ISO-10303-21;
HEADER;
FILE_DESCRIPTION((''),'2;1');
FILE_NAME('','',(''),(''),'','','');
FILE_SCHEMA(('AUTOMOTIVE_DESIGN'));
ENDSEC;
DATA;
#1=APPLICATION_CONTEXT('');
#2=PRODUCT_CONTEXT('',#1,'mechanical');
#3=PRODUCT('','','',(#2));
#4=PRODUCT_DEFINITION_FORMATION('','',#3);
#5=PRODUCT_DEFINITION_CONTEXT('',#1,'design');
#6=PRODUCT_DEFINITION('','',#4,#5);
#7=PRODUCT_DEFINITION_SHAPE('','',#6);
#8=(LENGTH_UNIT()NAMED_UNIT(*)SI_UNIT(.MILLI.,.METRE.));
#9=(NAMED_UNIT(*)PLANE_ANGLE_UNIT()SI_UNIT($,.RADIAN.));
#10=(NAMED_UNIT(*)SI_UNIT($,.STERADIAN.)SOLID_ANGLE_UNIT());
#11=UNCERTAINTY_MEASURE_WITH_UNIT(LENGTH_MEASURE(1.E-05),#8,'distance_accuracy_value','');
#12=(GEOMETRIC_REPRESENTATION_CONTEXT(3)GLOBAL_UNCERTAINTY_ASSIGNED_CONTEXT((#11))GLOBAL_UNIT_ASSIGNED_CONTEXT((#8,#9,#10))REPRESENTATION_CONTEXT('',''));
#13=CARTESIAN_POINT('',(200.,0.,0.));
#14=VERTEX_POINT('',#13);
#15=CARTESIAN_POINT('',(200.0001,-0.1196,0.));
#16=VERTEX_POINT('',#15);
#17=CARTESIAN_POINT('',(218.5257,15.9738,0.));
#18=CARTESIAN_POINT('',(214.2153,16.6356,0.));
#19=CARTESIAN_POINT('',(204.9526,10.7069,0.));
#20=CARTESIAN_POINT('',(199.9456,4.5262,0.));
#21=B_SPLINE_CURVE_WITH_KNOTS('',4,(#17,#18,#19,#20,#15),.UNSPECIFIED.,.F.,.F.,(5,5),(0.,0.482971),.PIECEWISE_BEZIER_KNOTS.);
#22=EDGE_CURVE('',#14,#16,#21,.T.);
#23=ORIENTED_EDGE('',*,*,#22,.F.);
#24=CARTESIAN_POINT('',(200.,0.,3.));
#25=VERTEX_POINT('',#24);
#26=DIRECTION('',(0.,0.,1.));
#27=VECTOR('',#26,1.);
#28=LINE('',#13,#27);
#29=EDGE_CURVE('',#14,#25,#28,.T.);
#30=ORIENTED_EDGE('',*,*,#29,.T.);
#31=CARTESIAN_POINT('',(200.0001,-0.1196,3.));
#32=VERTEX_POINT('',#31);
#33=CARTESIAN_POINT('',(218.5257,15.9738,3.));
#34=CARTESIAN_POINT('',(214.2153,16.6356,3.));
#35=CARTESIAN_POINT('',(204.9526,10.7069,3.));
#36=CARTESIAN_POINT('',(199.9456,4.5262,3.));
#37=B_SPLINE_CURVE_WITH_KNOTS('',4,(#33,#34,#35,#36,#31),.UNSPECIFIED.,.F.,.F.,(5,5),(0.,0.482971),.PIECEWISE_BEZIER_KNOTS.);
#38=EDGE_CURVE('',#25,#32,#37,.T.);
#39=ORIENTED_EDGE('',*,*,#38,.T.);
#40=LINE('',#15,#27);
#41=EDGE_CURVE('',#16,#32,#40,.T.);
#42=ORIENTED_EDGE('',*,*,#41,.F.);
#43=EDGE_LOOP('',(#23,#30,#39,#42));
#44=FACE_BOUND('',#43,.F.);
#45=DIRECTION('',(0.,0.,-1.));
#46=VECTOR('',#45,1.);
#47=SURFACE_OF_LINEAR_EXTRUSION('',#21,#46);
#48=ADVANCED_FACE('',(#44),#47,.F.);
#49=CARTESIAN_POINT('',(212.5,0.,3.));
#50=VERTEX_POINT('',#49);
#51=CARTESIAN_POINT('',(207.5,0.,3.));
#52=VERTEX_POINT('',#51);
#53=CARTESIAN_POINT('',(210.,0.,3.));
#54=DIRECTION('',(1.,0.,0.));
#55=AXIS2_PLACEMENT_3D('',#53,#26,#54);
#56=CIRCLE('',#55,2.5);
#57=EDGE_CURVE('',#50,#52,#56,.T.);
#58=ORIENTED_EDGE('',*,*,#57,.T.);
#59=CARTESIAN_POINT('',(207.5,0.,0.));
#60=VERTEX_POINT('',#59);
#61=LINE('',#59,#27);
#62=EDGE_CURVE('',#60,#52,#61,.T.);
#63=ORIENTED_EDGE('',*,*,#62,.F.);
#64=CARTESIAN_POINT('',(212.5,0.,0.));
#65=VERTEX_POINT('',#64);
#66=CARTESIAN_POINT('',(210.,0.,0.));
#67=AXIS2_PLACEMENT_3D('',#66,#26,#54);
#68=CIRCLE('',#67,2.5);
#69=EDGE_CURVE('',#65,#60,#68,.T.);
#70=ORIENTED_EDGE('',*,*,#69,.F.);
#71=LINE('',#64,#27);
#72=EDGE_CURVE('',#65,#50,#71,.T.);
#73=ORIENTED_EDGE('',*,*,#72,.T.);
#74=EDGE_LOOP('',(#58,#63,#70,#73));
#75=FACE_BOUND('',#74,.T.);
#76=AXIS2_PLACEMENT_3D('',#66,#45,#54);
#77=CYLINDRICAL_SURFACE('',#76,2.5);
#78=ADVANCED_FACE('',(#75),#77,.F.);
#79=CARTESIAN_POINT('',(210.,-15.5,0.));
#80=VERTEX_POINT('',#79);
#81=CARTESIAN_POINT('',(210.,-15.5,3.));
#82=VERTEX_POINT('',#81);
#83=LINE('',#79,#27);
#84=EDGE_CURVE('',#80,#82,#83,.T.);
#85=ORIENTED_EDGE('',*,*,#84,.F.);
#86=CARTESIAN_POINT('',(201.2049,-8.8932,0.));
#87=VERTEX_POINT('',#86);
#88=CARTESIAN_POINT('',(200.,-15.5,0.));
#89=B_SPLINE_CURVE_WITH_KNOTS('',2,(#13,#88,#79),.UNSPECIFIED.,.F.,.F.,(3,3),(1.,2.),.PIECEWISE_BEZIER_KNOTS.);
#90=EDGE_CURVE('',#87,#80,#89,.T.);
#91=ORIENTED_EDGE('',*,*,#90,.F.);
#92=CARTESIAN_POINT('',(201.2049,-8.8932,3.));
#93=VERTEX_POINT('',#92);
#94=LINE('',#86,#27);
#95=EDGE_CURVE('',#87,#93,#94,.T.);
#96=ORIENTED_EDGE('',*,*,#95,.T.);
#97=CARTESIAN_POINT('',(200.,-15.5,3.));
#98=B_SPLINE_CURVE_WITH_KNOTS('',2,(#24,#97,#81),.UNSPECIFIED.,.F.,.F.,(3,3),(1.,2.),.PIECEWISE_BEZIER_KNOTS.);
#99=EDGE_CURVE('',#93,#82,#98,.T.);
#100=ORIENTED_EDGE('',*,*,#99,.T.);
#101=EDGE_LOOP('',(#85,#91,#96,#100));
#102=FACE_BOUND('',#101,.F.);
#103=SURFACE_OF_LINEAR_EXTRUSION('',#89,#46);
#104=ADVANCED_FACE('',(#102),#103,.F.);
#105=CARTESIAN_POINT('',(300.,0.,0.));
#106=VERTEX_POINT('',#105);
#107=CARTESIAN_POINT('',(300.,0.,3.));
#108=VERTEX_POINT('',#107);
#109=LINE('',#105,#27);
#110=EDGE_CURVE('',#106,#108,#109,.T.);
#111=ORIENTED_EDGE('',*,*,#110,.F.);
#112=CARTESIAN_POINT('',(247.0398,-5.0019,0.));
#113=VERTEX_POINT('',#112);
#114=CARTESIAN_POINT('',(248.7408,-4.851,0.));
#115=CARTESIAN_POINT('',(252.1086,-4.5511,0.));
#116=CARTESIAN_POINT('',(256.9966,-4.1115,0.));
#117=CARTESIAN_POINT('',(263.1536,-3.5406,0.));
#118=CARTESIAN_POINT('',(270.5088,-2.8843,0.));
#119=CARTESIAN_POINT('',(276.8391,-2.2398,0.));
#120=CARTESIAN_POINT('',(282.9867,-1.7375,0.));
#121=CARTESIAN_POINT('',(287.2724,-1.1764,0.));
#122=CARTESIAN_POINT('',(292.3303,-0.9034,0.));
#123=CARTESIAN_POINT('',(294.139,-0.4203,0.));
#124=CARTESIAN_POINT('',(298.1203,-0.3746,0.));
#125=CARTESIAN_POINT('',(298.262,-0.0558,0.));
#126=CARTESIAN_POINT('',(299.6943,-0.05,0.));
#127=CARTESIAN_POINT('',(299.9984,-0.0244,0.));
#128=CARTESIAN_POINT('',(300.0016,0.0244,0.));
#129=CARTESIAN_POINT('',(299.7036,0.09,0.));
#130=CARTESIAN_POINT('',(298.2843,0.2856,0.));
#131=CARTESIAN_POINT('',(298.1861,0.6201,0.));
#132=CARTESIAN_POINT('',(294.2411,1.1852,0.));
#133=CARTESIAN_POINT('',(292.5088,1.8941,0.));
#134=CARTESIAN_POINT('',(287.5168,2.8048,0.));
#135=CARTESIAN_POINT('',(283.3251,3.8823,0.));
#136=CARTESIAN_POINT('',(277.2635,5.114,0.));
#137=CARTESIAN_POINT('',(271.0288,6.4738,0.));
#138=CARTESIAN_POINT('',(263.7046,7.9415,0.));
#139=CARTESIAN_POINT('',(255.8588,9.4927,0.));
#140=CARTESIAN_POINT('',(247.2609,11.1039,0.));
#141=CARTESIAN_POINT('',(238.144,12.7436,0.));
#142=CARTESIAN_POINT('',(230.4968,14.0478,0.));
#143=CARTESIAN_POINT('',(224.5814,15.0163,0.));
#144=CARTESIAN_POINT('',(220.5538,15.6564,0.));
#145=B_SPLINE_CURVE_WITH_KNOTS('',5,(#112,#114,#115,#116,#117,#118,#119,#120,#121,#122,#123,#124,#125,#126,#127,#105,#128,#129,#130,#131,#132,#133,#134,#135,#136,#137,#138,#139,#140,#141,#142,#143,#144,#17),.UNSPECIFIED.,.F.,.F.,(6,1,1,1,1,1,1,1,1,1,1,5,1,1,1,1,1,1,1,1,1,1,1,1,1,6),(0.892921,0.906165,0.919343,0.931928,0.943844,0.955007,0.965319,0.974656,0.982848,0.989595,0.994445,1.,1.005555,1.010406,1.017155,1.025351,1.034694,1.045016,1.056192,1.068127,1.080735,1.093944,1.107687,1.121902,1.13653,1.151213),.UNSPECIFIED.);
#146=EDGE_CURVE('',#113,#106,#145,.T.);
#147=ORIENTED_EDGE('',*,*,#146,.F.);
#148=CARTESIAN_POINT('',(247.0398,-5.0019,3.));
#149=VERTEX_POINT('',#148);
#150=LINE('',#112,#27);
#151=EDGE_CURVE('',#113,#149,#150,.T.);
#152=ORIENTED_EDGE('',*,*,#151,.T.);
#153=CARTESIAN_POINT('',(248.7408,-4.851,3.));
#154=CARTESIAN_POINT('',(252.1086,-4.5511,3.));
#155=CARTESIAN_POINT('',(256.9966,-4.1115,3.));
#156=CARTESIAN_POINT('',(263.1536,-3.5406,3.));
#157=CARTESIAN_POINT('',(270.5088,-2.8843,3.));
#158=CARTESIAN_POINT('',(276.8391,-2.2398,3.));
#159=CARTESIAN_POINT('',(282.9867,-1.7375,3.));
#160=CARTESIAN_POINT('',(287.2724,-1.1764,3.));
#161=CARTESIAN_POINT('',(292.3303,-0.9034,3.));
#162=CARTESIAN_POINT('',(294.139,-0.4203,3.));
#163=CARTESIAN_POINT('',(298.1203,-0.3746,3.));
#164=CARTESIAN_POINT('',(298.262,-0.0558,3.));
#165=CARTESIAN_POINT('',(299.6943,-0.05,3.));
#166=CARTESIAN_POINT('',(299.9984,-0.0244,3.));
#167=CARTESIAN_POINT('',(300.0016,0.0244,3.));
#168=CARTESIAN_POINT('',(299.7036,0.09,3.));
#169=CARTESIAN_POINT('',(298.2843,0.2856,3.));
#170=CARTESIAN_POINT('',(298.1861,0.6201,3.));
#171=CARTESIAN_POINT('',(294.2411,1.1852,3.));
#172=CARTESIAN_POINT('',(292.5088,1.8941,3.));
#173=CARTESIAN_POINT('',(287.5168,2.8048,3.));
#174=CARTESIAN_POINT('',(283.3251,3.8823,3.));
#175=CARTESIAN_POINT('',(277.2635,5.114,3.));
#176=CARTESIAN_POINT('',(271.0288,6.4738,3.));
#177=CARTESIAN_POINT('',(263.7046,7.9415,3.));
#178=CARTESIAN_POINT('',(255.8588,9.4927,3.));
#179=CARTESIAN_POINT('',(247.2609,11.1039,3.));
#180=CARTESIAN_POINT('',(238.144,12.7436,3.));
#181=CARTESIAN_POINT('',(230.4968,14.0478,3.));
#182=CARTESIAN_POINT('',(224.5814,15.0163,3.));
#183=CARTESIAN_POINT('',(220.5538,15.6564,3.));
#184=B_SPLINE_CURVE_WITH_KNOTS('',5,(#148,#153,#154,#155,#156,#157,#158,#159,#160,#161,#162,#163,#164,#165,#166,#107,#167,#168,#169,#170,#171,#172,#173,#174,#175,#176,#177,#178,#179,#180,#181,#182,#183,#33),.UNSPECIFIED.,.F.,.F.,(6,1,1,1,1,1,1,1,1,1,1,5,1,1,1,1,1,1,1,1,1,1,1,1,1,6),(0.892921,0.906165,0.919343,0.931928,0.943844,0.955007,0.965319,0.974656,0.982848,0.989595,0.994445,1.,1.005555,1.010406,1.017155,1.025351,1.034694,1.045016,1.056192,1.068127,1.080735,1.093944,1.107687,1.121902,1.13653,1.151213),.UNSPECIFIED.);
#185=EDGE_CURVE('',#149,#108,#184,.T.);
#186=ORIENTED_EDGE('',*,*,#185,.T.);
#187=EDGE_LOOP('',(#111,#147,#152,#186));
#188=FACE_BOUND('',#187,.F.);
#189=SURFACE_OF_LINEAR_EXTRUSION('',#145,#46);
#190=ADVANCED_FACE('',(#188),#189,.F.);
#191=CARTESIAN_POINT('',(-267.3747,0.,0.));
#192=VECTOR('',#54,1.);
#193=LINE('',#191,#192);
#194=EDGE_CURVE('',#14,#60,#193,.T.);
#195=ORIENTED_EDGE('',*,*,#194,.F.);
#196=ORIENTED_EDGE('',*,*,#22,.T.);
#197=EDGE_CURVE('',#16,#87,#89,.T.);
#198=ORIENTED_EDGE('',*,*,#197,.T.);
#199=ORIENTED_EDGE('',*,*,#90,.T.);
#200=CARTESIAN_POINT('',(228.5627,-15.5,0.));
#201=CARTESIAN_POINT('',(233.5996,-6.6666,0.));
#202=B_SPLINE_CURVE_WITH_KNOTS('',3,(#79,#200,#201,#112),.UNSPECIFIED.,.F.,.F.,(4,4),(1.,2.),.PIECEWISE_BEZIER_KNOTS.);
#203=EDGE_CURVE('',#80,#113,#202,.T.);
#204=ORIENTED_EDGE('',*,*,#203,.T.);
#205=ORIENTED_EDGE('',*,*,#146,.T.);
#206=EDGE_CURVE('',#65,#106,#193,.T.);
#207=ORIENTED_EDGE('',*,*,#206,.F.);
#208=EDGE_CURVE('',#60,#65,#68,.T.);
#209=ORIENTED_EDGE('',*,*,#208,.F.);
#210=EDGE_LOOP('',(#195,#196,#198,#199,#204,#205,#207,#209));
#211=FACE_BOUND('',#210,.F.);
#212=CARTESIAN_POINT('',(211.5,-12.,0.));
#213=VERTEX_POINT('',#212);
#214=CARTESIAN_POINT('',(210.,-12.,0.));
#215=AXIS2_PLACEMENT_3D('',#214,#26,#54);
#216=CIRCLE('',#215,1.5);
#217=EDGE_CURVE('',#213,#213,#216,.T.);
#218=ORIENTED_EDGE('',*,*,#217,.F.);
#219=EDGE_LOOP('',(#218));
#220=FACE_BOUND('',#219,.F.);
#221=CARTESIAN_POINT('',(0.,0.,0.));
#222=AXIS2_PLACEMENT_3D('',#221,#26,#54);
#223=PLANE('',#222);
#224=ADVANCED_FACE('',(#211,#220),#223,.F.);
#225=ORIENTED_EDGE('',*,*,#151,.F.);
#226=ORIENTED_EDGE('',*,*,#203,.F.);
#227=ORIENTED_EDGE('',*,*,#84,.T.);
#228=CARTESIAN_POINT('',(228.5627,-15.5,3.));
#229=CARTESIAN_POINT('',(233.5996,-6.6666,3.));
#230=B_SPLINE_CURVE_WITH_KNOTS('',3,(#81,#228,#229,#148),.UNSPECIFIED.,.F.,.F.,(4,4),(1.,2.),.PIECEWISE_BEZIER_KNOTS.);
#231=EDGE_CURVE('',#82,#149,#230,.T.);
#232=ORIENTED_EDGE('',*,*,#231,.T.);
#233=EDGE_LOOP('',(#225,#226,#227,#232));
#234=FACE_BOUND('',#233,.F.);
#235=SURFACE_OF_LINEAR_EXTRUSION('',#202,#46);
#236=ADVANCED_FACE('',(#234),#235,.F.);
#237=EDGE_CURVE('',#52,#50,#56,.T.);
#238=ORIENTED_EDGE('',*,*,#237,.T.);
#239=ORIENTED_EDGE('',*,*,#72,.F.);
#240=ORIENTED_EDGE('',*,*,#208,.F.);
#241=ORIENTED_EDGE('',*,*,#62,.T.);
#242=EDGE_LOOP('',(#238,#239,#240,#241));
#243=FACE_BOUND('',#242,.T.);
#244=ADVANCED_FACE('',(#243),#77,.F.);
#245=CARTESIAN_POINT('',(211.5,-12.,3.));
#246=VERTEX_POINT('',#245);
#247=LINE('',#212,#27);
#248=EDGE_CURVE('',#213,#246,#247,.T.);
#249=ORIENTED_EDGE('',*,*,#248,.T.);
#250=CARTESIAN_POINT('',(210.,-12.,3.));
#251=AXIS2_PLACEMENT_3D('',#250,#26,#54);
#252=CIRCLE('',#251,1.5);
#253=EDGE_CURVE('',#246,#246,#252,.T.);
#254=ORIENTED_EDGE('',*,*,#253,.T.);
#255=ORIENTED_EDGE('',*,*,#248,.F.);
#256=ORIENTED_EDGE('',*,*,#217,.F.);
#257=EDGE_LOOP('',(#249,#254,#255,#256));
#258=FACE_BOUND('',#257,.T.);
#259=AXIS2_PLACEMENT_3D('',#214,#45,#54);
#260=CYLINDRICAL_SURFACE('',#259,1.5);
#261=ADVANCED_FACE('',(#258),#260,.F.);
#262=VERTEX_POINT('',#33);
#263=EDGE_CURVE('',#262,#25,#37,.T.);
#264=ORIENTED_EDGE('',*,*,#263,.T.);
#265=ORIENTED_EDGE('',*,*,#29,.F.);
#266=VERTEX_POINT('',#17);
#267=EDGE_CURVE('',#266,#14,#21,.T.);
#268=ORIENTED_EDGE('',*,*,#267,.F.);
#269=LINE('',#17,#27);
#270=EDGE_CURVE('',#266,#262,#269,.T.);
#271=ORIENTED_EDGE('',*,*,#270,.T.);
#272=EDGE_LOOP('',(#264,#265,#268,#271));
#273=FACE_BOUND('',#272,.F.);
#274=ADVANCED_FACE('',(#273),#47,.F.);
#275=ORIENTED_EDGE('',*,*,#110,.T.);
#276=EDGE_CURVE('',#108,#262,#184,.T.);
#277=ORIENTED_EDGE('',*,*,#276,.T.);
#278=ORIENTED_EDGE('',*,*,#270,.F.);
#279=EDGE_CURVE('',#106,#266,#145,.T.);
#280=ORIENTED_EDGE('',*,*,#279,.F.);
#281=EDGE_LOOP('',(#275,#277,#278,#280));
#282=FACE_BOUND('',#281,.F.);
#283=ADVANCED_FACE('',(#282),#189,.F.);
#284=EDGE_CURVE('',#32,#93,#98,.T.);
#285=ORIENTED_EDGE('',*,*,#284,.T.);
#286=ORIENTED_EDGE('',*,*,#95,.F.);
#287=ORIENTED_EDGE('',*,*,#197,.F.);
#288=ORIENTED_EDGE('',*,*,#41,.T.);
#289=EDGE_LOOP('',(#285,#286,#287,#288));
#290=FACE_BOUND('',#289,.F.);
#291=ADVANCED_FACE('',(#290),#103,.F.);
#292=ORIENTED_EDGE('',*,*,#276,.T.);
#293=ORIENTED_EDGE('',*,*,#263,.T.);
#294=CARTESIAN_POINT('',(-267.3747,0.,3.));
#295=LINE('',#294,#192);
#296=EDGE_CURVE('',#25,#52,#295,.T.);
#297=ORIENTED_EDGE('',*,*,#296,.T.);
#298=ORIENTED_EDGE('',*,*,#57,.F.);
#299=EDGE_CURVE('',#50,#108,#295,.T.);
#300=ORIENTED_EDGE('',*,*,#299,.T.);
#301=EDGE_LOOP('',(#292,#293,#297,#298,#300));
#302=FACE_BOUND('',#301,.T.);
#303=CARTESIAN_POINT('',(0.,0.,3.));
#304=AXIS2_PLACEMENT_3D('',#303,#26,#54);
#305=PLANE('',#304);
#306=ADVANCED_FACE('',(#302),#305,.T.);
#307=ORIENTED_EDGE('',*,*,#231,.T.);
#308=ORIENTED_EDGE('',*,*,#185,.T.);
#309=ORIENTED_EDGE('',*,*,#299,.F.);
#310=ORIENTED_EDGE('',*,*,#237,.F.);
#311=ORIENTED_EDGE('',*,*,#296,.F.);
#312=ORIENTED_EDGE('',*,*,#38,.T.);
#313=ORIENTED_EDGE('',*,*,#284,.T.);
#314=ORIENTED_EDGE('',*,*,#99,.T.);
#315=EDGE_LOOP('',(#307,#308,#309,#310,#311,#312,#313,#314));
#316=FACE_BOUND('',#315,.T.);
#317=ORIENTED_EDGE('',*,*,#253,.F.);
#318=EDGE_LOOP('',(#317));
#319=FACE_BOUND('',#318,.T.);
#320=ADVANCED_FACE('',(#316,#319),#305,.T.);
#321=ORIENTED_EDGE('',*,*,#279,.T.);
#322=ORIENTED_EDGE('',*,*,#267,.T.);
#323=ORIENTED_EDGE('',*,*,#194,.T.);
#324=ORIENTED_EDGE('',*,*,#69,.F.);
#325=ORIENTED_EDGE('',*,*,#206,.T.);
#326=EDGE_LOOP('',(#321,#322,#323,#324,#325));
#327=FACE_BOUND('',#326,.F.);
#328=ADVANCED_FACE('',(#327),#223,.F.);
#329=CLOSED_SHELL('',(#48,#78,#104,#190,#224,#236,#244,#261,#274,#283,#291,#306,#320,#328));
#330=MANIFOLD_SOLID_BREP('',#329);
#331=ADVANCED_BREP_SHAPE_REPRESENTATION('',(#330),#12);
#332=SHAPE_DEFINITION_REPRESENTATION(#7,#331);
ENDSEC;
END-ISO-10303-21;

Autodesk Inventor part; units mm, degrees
ref_plane "YZ Plane" through (0, 0, 0) normal (1, 0, 0) x (0, 1, 0)
ref_plane "XZ Plane" through (0, 0, 0) normal (0, 1, 0) x (-1, 0, 0)
ref_plane "XY Plane" through (0, 0, 0) normal (0, 0, 1) x (1, 0, 0)
sketch "Sketch1" plane through (0, 0, 0) normal (0, 0, 1) x (1, 0, 0)
  line L0 (200, 103) -> (200, -97) construction
  line L1 (0, -2198.1975) -> (0, 5744.0191) construction
  line L2 (210, 0) -> (210, -12) construction
  line L3 (210, 0) -> (222, 0) construction
  circle A0 centre (210, -12) radius 1.5
  spline S0 degree 4 poles (218.5257, 15.9738) (214.2153, 16.6356) (204.9526, 10.7069) (199.9456, 4.5262) (200.0001, -0.1196) knots 0 0 0 0 0 0.482971 0.482971 0.482971 0.482971 0.482971
  line L4 (221.1774, 15.5667) -> (215.874, 16.3809) construction
  arc A1 (220.2542, 15.1852) -> (216.6402, 15.74) centre (217.9961, 12.5243) ccw construction
  line L5 (200, 0) -> (200, -15.5) construction
  line L6 (200, -15.5) -> (210, -15.5) construction
  spline S1 degree 2 poles (200, 0) (200, -15.5) (210, -15.5) knots 1 1 1 2 2 2
  line L7 (210, -15.5) -> (228.5627, -15.5) construction
  line L8 (228.5627, -15.5) -> (233.5996, -6.6666) construction
  line L9 (233.5996, -6.6666) -> (247.0398, -5.0019) construction
  spline S2 degree 3 poles (210, -15.5) (228.5627, -15.5) (233.5996, -6.6666) (247.0398, -5.0019) knots 1 1 1 1 2 2 2 2
  line L10 (199.9617, 3.157) -> (200.0386, -3.3962) construction
  arc A2 (200.4959, 2.2656) -> (200.5517, -2.4925) centre (205.6665, -0.0531) ccw construction
  circle A3 centre (210, 0) radius 2.5
  line L11 (-267.3747, 0) -> (404.2133, 0) projected
  spline S3 degree 5 poles (247.0398, -5.0019) (248.7408, -4.851) (252.1086, -4.5511) (256.9966, -4.1115) (263.1536, -3.5406) (270.5088, -2.8843) (276.8391, -2.2398) (282.9867, -1.7375) (287.2724, -1.1764) (292.3303, -0.9034) (294.139, -0.4203) (298.1203, -0.3746) (298.262, -0.0558) (299.6943, -0.05) (299.9984, -0.0244) (300, 0) (300.0016, 0.0244) (299.7036, 0.09) (298.2843, 0.2856) (298.1861, 0.6201) (294.2411, 1.1852) (292.5088, 1.8941) (287.5168, 2.8048) (283.3251, 3.8823) (277.2635, 5.114) (271.0288, 6.4738) (263.7046, 7.9415) (255.8588, 9.4927) (247.2609, 11.1039) (238.144, 12.7436) (230.4968, 14.0478) (224.5814, 15.0163) (220.5538, 15.6564) (218.5257, 15.9738) knots 0.892921 0.892921 0.892921 0.892921 0.892921 0.892921 0.906165 0.919343 0.931928 0.943844 0.955007 0.965319 0.974656 0.982848 0.989595 0.994445 1 1 1 1 1 1.005555 1.010406 1.017155 1.025351 1.034694 1.045016 1.056192 1.068127 1.080735 1.093944 1.107687 1.121902 1.13653 1.151213 1.151213 1.151213 1.151213 1.151213 1.151213
  line L12 (228.403, 14.4279) -> (208.6484, 17.5197) construction
  arc A4 (226.4228, 14.7082) -> (210.6196, 17.1816) centre (49.5564, -1063.5951) ccw construction
  spline S4 degree 5 poles (200, -8.9902) (200.2412, -8.9708) (200.4822, -8.9514) (200.7232, -8.932) (200.9641, -8.9126) (201.2049, -8.8932) knots 1.823971 1.823971 1.823971 1.823971 1.823971 1.823971 1.825664 1.825664 1.825664 1.825664 1.825664 1.825664
  line L13 (199.877, -9.0001) -> (200.123, -8.9803) construction
  arc A5 (199.9016, -8.9981) -> (200.0984, -8.9823) centre (-171.4335, 4609.4167) ccw construction
  point P0 (0, 0)
  point P1 (300, 0)
  point P2 (299.5428, 0.1089)
  point P3 (298.1739, 0.4338)
  point P4 (295.9008, 0.9681)
  point P5 (292.7367, 1.7025)
  point P6 (288.6996, 2.6229)
  point P7 (283.8129, 3.7134)
  point P8 (278.1048, 4.9545)
  point P9 (271.6086, 6.3255)
  point P10 (264.3621, 7.8039)
  point P11 (256.4085, 9.3663)
  point P12 (247.7946, 10.9887)
  point P13 (238.572, 12.6468)
  point P14 (228.7959, 14.3166)
  point P15 (207.8235, 17.5944)
  point P16 (196.755, 19.155)
  point P17 (185.388, 20.6319)
  point P18 (173.7924, 22.0023)
  point P19 (162.0405, 23.2434)
  point P20 (150.2055, 24.3336)
  point P21 (138.3615, 25.2522)
  point P22 (126.5832, 25.98)
  point P23 (114.8976, 26.493)
  point P24 (103.3635, 26.7315)
  point P25 (92.1183, 26.6775)
  point P26 (81.2367, 26.3292)
  point P27 (70.7922, 25.689)
  point P28 (60.8541, 24.7656)
  point P29 (51.489, 23.5734)
  point P30 (42.7587, 22.131)
  point P31 (34.7199, 20.4618)
  point P32 (27.4239, 18.5934)
  point P33 (20.9172, 16.5555)
  point P34 (15.2385, 14.379)
  point P35 (10.422, 12.0954)
  point P36 (6.4944, 9.7347)
  point P37 (3.4767, 7.3239)
  point P38 (1.3836, 4.8867)
  point P39 (0.2238, 2.4411)
  point P40 (0.7011, -2.3487)
  point P41 (2.31, -4.5201)
  point P42 (4.8123, -6.5094)
  point P43 (8.1885, -8.3112)
  point P44 (12.414, -9.9204)
  point P45 (17.4594, -11.3319)
  point P46 (23.2908, -12.5418)
  point P47 (29.871, -13.5477)
  point P48 (37.1583, -14.3505)
  point P49 (45.1092, -14.9526)
  point P50 (53.6766, -15.3609)
  point P51 (62.8101, -15.5853)
  point P52 (72.4581, -15.639)
  point P53 (82.566, -15.5385)
  point P54 (93.0768, -15.3033)
  point P55 (103.9314, -14.9544)
  point P56 (115.0689, -14.514)
  point P57 (126.4866, -13.9956)
  point P58 (138.1008, -13.3755)
  point P59 (149.7945, -12.6672)
  point P60 (161.4972, -11.8896)
  point P61 (173.1378, -11.061)
  point P62 (184.6455, -10.1973)
  point P63 (195.9501, -9.3141)
  point P64 (206.9814, -8.4237)
  point P65 (217.6716, -7.5381)
  point P66 (227.9538, -6.6666)
  point P67 (263.7597, -3.4905)
  point P68 (271.0965, -2.8098)
  point P69 (277.6872, -2.1882)
  point P70 (283.4889, -1.6323)
  point P71 (288.4641, -1.1487)
  point P72 (292.5804, -0.7434)
  point P73 (295.8102, -0.4221)
  point P74 (298.1328, -0.1887)
  point P75 (299.5323, -0.0474)
  point P76 (200.0001, -0.1196)
  dimension "d0" = 200
  dimension "d2" = 200
  dimension "d3" = 12
  dimension "d4" = 90
  dimension "d5" = 10
  dimension "d6" = 3
  dimension "d23" = 5
  dimension "d24" = 12
extrude "Extrusion3" add sketch "Sketch1" along normal blind 3 contours S3 L11 A3 S0 | L11 A3 S3 S2 S1 S0
properties part number "4P.01.01.02-TW-v1-Basic Structure" material "Plywood, Finish"
